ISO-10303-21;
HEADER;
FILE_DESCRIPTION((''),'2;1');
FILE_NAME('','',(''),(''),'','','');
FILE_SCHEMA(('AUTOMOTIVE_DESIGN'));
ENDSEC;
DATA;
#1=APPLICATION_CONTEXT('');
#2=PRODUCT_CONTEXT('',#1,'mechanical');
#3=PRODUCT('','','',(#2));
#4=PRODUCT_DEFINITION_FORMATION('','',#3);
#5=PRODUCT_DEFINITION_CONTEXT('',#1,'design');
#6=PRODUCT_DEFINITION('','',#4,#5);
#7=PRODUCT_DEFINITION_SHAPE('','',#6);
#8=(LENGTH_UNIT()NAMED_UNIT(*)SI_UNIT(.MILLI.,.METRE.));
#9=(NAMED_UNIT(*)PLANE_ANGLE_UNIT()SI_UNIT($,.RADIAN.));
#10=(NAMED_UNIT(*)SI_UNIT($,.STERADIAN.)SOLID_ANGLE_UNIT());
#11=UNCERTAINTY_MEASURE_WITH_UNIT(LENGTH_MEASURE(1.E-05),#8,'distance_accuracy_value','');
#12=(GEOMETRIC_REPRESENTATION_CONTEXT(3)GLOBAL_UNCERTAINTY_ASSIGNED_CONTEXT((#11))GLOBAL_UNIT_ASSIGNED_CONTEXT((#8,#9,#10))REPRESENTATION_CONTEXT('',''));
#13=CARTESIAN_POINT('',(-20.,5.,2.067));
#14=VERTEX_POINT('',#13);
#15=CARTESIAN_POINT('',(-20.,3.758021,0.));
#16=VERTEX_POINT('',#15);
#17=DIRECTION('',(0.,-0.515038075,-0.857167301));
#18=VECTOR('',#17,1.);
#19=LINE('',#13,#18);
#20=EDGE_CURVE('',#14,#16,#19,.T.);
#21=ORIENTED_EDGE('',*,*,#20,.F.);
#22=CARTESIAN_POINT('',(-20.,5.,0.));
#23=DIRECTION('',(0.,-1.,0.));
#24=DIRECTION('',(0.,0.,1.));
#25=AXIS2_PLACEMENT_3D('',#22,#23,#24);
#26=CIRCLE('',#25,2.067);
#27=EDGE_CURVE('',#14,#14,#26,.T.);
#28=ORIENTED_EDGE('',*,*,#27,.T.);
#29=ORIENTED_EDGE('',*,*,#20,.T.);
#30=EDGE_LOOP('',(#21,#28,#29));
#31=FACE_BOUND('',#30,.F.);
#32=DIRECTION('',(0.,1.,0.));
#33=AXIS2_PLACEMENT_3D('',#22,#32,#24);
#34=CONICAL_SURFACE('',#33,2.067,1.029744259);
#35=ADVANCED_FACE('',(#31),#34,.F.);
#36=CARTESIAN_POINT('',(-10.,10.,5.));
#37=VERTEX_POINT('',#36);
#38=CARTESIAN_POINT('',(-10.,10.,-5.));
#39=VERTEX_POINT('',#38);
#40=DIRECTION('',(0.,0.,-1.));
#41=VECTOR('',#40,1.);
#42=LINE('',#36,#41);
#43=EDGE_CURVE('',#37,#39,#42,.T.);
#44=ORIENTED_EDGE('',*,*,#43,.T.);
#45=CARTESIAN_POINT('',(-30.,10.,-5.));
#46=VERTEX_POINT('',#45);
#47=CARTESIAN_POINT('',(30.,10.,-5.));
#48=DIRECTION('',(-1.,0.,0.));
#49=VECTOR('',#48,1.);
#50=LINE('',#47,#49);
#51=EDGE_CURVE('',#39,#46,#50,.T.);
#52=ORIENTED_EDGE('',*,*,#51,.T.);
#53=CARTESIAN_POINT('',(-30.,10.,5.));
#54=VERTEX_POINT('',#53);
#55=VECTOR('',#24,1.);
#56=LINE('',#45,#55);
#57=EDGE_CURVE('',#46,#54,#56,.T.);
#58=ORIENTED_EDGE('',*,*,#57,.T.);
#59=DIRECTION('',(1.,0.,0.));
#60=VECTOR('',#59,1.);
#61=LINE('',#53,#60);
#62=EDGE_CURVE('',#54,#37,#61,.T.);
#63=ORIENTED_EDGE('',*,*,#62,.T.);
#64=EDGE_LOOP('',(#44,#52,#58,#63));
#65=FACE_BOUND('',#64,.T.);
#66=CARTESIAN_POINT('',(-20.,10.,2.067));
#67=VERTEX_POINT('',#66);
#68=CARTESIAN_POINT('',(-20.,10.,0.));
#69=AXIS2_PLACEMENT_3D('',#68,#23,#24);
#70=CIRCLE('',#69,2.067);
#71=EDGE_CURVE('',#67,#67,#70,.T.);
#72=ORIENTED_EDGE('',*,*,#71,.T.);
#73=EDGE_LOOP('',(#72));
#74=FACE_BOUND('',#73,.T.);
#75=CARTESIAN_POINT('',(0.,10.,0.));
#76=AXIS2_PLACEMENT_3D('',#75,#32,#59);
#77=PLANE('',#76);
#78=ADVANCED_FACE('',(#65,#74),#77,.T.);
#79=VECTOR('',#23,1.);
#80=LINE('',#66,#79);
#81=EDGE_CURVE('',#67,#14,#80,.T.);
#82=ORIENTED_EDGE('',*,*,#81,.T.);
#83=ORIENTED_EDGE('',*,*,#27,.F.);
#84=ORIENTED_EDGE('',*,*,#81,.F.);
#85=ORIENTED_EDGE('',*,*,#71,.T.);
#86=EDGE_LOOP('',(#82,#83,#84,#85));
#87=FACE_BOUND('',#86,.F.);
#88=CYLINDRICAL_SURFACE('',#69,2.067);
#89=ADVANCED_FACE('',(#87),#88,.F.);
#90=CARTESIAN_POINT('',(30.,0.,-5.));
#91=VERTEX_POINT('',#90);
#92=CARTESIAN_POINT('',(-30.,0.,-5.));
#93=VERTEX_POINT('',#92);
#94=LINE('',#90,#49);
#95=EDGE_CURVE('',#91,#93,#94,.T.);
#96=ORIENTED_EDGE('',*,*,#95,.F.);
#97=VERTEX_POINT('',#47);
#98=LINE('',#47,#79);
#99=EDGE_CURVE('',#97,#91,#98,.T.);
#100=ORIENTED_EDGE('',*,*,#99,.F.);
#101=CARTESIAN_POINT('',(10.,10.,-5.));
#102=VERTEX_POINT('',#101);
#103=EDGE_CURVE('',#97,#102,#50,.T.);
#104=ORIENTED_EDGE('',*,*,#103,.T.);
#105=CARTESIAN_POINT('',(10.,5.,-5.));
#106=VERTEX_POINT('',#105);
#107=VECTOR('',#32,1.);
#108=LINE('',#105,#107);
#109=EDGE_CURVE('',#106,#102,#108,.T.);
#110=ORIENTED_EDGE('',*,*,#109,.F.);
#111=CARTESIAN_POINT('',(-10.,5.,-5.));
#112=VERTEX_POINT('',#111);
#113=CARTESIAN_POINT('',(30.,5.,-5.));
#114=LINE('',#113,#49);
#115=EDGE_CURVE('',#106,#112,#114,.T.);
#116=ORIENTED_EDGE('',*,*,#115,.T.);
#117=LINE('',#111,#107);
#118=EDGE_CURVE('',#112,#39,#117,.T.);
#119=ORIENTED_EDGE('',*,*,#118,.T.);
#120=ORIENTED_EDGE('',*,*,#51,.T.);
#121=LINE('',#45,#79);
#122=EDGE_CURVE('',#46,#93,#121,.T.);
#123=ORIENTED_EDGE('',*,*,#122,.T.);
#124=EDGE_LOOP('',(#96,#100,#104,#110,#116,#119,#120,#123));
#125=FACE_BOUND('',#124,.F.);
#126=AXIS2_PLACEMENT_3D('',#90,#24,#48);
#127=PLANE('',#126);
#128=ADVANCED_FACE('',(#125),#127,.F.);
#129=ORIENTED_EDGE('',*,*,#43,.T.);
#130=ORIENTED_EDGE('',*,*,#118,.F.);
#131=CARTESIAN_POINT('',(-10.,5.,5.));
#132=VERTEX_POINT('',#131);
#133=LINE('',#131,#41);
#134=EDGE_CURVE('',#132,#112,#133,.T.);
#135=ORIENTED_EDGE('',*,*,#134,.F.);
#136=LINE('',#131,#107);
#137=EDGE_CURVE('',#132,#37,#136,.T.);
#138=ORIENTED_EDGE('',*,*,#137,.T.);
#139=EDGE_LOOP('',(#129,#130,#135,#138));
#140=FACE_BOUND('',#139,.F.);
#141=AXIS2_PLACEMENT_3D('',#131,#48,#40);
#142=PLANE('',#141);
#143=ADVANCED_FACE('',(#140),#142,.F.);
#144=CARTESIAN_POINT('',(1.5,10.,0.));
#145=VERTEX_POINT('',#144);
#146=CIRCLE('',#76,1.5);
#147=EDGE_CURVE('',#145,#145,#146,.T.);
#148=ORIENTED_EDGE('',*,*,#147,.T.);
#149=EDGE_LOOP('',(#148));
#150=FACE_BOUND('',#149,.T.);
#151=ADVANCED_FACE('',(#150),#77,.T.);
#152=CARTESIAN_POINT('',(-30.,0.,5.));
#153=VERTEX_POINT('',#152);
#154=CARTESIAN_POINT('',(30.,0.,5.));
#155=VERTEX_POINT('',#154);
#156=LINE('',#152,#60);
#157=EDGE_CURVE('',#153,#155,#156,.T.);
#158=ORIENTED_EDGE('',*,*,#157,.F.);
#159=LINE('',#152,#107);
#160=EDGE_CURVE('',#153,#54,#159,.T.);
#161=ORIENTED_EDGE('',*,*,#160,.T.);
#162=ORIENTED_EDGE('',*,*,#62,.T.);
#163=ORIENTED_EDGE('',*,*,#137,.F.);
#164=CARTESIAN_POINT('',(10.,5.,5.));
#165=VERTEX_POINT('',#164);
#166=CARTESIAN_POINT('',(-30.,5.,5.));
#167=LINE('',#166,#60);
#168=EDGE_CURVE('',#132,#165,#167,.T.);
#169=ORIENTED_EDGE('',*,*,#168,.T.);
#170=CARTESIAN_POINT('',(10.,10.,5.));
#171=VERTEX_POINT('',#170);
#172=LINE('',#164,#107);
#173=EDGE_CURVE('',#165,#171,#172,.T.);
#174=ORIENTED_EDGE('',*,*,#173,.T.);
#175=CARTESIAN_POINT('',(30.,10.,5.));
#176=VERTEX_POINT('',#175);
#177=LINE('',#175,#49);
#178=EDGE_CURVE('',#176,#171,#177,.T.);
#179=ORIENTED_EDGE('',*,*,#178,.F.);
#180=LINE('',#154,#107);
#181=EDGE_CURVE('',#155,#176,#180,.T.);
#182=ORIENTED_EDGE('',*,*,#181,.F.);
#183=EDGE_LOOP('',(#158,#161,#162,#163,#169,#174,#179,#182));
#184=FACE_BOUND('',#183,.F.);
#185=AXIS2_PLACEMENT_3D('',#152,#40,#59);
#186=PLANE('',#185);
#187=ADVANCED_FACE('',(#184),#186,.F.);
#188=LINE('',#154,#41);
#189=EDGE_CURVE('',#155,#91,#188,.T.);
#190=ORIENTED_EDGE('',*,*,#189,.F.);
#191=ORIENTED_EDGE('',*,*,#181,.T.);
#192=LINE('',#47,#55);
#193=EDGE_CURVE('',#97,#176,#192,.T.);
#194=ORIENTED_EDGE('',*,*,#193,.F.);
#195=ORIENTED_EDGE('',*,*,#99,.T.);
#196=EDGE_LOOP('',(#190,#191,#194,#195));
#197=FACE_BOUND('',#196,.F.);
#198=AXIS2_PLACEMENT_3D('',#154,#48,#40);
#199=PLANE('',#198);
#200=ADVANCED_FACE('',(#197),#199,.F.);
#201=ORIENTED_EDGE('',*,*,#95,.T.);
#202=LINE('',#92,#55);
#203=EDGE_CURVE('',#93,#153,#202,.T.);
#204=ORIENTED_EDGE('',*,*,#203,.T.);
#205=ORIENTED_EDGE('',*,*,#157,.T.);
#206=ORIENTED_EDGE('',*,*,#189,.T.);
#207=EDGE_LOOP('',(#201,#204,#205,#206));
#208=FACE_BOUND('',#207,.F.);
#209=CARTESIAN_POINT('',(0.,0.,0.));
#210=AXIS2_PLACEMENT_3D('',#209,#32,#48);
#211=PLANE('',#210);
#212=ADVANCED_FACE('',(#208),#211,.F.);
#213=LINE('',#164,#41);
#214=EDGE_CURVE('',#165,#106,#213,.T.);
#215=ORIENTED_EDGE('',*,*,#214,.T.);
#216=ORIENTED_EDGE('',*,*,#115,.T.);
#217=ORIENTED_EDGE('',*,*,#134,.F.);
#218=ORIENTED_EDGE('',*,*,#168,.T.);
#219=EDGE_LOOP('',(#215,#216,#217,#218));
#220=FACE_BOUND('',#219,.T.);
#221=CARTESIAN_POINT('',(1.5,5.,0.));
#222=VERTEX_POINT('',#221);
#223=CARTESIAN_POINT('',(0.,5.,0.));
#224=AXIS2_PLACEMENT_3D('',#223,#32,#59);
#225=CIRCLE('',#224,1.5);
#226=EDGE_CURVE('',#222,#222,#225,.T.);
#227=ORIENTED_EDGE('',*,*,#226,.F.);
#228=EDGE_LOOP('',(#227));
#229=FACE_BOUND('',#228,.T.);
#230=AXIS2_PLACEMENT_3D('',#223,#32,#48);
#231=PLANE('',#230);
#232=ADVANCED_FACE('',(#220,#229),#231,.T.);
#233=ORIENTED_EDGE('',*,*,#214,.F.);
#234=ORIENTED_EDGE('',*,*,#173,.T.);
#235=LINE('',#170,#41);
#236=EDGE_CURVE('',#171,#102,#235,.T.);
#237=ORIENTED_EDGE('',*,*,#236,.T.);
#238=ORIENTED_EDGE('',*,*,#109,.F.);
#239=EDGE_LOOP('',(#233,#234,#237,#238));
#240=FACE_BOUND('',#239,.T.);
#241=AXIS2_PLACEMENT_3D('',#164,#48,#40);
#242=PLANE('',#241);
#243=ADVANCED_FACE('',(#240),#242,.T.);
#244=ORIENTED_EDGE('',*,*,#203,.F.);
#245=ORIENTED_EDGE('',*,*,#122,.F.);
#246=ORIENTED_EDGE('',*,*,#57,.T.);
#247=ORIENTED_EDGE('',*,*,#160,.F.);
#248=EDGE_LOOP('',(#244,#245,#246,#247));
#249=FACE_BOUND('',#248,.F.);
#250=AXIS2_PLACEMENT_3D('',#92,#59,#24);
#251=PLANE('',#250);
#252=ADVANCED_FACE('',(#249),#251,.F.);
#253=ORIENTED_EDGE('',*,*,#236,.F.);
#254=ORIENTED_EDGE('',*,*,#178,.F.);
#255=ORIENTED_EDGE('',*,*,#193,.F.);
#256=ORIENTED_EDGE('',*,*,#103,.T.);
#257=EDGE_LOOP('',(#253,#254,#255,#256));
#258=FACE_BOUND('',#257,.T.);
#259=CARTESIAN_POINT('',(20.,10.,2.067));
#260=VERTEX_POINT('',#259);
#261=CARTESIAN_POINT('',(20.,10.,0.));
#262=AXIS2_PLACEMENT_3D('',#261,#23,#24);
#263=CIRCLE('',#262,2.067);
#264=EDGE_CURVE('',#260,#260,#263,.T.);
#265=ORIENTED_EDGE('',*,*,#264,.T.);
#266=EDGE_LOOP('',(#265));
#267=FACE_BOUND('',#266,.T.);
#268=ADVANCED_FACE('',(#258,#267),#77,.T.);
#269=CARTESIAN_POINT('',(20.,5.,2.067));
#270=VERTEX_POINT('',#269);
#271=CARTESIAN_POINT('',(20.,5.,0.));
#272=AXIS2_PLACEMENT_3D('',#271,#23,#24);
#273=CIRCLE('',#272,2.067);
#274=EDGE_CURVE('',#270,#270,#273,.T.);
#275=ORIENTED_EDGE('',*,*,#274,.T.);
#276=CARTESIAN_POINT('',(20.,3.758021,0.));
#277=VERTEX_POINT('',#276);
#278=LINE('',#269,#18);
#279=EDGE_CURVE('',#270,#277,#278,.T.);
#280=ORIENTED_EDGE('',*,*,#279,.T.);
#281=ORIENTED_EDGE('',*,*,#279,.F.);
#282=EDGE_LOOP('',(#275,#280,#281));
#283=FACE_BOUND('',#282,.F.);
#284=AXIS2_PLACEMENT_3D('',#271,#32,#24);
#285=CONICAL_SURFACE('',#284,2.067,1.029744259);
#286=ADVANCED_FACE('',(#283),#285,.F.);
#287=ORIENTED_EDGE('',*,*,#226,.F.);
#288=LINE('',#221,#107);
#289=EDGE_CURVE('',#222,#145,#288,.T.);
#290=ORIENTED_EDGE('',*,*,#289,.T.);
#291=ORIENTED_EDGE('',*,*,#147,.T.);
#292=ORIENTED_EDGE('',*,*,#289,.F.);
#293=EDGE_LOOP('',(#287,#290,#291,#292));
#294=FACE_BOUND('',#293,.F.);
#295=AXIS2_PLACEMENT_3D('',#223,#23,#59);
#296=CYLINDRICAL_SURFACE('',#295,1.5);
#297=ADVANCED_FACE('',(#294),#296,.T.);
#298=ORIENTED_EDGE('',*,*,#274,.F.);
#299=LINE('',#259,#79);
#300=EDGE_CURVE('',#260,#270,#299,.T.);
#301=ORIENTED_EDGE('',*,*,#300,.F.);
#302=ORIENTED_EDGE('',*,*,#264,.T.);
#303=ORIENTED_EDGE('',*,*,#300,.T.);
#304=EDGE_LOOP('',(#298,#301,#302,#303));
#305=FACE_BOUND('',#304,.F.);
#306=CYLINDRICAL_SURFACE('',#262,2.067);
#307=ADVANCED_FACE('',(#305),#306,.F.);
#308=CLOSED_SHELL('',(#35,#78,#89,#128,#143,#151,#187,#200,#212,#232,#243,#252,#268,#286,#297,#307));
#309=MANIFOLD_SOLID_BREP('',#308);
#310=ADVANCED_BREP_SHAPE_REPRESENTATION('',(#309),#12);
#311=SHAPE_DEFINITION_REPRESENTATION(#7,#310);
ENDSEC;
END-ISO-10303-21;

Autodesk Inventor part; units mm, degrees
ref_plane "YZ Plane" through (0, 0, 0) normal (1, 0, 0) x (0, 1, 0)
ref_plane "XZ Plane" through (0, 0, 0) normal (0, 1, 0) x (-1, 0, 0)
ref_plane "XY Plane" through (0, 0, 0) normal (0, 0, 1) x (1, 0, 0)
sketch "Szkic1" plane through (0, 0, 0) normal (0, 0, 1) x (1, 0, 0)
  point P0 (0, 0)
sketch "Szkic2" plane through (0, 0, 0) normal (0, 1, 0) x (-1, 0, 0)
  line L0 (30, 5) -> (-30, 5)
  line L1 (-30, 5) -> (-30, -5)
  line L2 (-30, -5) -> (30, -5)
  line L3 (30, -5) -> (30, 5)
  line L4 (13.3205, 0) -> (-15.9073, 0) construction
  line L5 (0, 22.8583) -> (0, -40.0607) construction
  point P0 (0, 0)
  dimension "d0" = 10
  dimension "d1" = 60
extrude "Wyciągnięcie proste1" add sketch "Szkic2" along normal blind 5
sketch "Szkic3" plane through (0, 5, 0) normal (0, 1, 0) x (1, 0, 0)
  line L0 (-30, 5) -> (-30, -5) projected
  line L1 (30, 5) -> (-30, 5) projected
  line L2 (-30, -5) -> (-10, -5)
  line L3 (-10, -5) -> (-10, 5)
  line L4 (-10, 5) -> (-30, 5)
  line L5 (-30, 5) -> (-30, -5)
  line L6 (30, -5) -> (10, -5)
  line L7 (10, -5) -> (10, 5)
  line L8 (10, 5) -> (30, 5)
  line L9 (30, 5) -> (30, -5)
  line L10 (0, 41.547) -> (0, -40.407) construction
  circle A0 centre (0, 0) radius 1.5
  dimension "d4" = 20
  dimension "d5" = 20
  dimension "d6" = 3
extrude "Wyciągnięcie proste2" add sketch "Szkic3" along normal blind 5
sketch "Szkic4" plane through (0, 10, 0) normal (0, 1, 0) x (1, 0, 0)
  line L0 (0, 14.0263) -> (0, -15.9036) construction
  line L1 (-30, 5) -> (-30, -5) projected
  point P0 (0, 0)
  point P1 (-20, 0)
  point P2 (20, 0)
  dimension "d9" = 10
hole "Otwór1" at (-20, 10, 0) at (20, 10, 0) direction (0, -1, 0) diameter 4.134 depth 5 tip angle 118 thread size "M5x0.8" class "6H" standard "ISO Metric profile"
properties part number "środek"
